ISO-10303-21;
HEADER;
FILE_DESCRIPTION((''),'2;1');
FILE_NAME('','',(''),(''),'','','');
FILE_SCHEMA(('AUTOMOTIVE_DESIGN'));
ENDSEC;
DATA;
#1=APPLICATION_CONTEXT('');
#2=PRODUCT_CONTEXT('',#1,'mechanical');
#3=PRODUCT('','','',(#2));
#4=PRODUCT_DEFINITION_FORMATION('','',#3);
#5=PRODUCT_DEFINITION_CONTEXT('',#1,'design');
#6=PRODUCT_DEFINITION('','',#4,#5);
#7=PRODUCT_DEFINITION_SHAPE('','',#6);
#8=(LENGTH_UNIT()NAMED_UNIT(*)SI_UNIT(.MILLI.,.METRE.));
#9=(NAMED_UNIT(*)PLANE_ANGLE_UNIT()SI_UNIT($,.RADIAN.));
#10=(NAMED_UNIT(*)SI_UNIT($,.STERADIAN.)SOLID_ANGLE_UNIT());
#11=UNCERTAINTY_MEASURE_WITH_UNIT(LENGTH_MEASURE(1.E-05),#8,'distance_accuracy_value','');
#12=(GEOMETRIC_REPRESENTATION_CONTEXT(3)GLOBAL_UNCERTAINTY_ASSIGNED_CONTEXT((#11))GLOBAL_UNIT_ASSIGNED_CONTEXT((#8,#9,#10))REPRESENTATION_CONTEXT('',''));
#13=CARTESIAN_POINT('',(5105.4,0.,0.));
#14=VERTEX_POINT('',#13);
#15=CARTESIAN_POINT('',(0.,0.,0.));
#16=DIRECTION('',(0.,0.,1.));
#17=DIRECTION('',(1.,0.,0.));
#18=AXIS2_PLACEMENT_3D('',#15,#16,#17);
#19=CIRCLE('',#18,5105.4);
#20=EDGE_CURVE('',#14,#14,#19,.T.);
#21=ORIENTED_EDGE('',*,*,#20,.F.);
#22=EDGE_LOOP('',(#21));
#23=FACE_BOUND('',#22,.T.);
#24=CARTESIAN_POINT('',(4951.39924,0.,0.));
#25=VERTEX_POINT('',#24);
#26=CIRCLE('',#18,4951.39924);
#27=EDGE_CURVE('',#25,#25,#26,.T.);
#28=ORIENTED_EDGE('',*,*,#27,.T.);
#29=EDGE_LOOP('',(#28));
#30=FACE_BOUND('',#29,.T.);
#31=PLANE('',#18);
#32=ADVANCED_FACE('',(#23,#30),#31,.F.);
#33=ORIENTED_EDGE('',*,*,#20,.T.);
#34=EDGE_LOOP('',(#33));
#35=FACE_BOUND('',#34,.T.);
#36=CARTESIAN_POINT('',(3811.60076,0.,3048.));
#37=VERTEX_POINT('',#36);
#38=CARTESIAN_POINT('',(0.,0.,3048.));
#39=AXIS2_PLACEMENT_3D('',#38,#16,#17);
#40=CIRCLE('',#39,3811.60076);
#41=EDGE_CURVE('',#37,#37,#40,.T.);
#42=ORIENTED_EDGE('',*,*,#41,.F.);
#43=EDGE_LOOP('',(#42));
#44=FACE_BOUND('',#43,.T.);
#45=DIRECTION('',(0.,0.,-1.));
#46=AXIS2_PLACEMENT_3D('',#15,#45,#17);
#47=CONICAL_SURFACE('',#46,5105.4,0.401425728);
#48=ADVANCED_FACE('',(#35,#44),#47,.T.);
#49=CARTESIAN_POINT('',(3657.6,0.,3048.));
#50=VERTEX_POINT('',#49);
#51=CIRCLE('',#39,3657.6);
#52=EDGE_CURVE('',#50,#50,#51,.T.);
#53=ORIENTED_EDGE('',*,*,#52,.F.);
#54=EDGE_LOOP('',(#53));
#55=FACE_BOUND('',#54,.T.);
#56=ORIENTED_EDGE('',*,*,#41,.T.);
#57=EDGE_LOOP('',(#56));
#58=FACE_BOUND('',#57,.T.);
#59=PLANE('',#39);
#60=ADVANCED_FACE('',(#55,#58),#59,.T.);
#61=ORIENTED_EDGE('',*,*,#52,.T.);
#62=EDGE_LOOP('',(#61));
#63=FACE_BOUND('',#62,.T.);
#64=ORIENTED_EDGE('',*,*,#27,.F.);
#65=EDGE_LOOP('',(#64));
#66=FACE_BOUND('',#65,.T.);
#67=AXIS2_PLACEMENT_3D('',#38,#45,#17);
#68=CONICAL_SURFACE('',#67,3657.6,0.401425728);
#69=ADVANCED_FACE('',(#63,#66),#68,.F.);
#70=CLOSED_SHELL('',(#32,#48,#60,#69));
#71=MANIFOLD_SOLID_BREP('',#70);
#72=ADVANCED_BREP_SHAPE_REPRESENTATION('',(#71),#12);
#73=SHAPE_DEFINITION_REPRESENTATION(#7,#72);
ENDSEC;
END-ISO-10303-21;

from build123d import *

# Parameters (mm, degrees)
SKETCH1_R           = 5105.4
BOSS_EXTRUDE2_DEPTH = 3048
BOSS_EXTRUDE2_TAPER = 23
SKETCH2_R           = 3657.6
CUT_EXTRUDE1_DEPTH  = 3048
CUT_EXTRUDE1_DRAFT  = 23


with BuildPart() as part:
    # Sketch1 → Boss-Extrude2 (new body)
    with BuildSketch(Plane.XY):
        Circle(SKETCH1_R)
    extrude(amount=BOSS_EXTRUDE2_DEPTH, taper=BOSS_EXTRUDE2_TAPER)


with BuildPart() as cut_extrude1_tool:
    # Sketch2 → Cut-Extrude1 (with draft: the straight prism first)
    with BuildSketch(Plane.XY.offset(3048)):
        Circle(SKETCH2_R)
    extrude(amount=-CUT_EXTRUDE1_DEPTH)
    # Cut-Extrude1: the draft: its side faces are tilted about the plane it starts from
    cut_extrude1_sides = [cut_extrude1_tool.faces().sort_by_distance(p)[0] for p in [
        (-3657.6, 0, 1524),
    ]]
    draft(cut_extrude1_sides, Plane.XY.offset(3048), CUT_EXTRUDE1_DRAFT)


with BuildPart() as part_1:
    add(part.part)

    # Cut-Extrude1: cut by cut_extrude1_tool
    add(cut_extrude1_tool.part, mode=Mode.SUBTRACT)


solid = part_1.part
